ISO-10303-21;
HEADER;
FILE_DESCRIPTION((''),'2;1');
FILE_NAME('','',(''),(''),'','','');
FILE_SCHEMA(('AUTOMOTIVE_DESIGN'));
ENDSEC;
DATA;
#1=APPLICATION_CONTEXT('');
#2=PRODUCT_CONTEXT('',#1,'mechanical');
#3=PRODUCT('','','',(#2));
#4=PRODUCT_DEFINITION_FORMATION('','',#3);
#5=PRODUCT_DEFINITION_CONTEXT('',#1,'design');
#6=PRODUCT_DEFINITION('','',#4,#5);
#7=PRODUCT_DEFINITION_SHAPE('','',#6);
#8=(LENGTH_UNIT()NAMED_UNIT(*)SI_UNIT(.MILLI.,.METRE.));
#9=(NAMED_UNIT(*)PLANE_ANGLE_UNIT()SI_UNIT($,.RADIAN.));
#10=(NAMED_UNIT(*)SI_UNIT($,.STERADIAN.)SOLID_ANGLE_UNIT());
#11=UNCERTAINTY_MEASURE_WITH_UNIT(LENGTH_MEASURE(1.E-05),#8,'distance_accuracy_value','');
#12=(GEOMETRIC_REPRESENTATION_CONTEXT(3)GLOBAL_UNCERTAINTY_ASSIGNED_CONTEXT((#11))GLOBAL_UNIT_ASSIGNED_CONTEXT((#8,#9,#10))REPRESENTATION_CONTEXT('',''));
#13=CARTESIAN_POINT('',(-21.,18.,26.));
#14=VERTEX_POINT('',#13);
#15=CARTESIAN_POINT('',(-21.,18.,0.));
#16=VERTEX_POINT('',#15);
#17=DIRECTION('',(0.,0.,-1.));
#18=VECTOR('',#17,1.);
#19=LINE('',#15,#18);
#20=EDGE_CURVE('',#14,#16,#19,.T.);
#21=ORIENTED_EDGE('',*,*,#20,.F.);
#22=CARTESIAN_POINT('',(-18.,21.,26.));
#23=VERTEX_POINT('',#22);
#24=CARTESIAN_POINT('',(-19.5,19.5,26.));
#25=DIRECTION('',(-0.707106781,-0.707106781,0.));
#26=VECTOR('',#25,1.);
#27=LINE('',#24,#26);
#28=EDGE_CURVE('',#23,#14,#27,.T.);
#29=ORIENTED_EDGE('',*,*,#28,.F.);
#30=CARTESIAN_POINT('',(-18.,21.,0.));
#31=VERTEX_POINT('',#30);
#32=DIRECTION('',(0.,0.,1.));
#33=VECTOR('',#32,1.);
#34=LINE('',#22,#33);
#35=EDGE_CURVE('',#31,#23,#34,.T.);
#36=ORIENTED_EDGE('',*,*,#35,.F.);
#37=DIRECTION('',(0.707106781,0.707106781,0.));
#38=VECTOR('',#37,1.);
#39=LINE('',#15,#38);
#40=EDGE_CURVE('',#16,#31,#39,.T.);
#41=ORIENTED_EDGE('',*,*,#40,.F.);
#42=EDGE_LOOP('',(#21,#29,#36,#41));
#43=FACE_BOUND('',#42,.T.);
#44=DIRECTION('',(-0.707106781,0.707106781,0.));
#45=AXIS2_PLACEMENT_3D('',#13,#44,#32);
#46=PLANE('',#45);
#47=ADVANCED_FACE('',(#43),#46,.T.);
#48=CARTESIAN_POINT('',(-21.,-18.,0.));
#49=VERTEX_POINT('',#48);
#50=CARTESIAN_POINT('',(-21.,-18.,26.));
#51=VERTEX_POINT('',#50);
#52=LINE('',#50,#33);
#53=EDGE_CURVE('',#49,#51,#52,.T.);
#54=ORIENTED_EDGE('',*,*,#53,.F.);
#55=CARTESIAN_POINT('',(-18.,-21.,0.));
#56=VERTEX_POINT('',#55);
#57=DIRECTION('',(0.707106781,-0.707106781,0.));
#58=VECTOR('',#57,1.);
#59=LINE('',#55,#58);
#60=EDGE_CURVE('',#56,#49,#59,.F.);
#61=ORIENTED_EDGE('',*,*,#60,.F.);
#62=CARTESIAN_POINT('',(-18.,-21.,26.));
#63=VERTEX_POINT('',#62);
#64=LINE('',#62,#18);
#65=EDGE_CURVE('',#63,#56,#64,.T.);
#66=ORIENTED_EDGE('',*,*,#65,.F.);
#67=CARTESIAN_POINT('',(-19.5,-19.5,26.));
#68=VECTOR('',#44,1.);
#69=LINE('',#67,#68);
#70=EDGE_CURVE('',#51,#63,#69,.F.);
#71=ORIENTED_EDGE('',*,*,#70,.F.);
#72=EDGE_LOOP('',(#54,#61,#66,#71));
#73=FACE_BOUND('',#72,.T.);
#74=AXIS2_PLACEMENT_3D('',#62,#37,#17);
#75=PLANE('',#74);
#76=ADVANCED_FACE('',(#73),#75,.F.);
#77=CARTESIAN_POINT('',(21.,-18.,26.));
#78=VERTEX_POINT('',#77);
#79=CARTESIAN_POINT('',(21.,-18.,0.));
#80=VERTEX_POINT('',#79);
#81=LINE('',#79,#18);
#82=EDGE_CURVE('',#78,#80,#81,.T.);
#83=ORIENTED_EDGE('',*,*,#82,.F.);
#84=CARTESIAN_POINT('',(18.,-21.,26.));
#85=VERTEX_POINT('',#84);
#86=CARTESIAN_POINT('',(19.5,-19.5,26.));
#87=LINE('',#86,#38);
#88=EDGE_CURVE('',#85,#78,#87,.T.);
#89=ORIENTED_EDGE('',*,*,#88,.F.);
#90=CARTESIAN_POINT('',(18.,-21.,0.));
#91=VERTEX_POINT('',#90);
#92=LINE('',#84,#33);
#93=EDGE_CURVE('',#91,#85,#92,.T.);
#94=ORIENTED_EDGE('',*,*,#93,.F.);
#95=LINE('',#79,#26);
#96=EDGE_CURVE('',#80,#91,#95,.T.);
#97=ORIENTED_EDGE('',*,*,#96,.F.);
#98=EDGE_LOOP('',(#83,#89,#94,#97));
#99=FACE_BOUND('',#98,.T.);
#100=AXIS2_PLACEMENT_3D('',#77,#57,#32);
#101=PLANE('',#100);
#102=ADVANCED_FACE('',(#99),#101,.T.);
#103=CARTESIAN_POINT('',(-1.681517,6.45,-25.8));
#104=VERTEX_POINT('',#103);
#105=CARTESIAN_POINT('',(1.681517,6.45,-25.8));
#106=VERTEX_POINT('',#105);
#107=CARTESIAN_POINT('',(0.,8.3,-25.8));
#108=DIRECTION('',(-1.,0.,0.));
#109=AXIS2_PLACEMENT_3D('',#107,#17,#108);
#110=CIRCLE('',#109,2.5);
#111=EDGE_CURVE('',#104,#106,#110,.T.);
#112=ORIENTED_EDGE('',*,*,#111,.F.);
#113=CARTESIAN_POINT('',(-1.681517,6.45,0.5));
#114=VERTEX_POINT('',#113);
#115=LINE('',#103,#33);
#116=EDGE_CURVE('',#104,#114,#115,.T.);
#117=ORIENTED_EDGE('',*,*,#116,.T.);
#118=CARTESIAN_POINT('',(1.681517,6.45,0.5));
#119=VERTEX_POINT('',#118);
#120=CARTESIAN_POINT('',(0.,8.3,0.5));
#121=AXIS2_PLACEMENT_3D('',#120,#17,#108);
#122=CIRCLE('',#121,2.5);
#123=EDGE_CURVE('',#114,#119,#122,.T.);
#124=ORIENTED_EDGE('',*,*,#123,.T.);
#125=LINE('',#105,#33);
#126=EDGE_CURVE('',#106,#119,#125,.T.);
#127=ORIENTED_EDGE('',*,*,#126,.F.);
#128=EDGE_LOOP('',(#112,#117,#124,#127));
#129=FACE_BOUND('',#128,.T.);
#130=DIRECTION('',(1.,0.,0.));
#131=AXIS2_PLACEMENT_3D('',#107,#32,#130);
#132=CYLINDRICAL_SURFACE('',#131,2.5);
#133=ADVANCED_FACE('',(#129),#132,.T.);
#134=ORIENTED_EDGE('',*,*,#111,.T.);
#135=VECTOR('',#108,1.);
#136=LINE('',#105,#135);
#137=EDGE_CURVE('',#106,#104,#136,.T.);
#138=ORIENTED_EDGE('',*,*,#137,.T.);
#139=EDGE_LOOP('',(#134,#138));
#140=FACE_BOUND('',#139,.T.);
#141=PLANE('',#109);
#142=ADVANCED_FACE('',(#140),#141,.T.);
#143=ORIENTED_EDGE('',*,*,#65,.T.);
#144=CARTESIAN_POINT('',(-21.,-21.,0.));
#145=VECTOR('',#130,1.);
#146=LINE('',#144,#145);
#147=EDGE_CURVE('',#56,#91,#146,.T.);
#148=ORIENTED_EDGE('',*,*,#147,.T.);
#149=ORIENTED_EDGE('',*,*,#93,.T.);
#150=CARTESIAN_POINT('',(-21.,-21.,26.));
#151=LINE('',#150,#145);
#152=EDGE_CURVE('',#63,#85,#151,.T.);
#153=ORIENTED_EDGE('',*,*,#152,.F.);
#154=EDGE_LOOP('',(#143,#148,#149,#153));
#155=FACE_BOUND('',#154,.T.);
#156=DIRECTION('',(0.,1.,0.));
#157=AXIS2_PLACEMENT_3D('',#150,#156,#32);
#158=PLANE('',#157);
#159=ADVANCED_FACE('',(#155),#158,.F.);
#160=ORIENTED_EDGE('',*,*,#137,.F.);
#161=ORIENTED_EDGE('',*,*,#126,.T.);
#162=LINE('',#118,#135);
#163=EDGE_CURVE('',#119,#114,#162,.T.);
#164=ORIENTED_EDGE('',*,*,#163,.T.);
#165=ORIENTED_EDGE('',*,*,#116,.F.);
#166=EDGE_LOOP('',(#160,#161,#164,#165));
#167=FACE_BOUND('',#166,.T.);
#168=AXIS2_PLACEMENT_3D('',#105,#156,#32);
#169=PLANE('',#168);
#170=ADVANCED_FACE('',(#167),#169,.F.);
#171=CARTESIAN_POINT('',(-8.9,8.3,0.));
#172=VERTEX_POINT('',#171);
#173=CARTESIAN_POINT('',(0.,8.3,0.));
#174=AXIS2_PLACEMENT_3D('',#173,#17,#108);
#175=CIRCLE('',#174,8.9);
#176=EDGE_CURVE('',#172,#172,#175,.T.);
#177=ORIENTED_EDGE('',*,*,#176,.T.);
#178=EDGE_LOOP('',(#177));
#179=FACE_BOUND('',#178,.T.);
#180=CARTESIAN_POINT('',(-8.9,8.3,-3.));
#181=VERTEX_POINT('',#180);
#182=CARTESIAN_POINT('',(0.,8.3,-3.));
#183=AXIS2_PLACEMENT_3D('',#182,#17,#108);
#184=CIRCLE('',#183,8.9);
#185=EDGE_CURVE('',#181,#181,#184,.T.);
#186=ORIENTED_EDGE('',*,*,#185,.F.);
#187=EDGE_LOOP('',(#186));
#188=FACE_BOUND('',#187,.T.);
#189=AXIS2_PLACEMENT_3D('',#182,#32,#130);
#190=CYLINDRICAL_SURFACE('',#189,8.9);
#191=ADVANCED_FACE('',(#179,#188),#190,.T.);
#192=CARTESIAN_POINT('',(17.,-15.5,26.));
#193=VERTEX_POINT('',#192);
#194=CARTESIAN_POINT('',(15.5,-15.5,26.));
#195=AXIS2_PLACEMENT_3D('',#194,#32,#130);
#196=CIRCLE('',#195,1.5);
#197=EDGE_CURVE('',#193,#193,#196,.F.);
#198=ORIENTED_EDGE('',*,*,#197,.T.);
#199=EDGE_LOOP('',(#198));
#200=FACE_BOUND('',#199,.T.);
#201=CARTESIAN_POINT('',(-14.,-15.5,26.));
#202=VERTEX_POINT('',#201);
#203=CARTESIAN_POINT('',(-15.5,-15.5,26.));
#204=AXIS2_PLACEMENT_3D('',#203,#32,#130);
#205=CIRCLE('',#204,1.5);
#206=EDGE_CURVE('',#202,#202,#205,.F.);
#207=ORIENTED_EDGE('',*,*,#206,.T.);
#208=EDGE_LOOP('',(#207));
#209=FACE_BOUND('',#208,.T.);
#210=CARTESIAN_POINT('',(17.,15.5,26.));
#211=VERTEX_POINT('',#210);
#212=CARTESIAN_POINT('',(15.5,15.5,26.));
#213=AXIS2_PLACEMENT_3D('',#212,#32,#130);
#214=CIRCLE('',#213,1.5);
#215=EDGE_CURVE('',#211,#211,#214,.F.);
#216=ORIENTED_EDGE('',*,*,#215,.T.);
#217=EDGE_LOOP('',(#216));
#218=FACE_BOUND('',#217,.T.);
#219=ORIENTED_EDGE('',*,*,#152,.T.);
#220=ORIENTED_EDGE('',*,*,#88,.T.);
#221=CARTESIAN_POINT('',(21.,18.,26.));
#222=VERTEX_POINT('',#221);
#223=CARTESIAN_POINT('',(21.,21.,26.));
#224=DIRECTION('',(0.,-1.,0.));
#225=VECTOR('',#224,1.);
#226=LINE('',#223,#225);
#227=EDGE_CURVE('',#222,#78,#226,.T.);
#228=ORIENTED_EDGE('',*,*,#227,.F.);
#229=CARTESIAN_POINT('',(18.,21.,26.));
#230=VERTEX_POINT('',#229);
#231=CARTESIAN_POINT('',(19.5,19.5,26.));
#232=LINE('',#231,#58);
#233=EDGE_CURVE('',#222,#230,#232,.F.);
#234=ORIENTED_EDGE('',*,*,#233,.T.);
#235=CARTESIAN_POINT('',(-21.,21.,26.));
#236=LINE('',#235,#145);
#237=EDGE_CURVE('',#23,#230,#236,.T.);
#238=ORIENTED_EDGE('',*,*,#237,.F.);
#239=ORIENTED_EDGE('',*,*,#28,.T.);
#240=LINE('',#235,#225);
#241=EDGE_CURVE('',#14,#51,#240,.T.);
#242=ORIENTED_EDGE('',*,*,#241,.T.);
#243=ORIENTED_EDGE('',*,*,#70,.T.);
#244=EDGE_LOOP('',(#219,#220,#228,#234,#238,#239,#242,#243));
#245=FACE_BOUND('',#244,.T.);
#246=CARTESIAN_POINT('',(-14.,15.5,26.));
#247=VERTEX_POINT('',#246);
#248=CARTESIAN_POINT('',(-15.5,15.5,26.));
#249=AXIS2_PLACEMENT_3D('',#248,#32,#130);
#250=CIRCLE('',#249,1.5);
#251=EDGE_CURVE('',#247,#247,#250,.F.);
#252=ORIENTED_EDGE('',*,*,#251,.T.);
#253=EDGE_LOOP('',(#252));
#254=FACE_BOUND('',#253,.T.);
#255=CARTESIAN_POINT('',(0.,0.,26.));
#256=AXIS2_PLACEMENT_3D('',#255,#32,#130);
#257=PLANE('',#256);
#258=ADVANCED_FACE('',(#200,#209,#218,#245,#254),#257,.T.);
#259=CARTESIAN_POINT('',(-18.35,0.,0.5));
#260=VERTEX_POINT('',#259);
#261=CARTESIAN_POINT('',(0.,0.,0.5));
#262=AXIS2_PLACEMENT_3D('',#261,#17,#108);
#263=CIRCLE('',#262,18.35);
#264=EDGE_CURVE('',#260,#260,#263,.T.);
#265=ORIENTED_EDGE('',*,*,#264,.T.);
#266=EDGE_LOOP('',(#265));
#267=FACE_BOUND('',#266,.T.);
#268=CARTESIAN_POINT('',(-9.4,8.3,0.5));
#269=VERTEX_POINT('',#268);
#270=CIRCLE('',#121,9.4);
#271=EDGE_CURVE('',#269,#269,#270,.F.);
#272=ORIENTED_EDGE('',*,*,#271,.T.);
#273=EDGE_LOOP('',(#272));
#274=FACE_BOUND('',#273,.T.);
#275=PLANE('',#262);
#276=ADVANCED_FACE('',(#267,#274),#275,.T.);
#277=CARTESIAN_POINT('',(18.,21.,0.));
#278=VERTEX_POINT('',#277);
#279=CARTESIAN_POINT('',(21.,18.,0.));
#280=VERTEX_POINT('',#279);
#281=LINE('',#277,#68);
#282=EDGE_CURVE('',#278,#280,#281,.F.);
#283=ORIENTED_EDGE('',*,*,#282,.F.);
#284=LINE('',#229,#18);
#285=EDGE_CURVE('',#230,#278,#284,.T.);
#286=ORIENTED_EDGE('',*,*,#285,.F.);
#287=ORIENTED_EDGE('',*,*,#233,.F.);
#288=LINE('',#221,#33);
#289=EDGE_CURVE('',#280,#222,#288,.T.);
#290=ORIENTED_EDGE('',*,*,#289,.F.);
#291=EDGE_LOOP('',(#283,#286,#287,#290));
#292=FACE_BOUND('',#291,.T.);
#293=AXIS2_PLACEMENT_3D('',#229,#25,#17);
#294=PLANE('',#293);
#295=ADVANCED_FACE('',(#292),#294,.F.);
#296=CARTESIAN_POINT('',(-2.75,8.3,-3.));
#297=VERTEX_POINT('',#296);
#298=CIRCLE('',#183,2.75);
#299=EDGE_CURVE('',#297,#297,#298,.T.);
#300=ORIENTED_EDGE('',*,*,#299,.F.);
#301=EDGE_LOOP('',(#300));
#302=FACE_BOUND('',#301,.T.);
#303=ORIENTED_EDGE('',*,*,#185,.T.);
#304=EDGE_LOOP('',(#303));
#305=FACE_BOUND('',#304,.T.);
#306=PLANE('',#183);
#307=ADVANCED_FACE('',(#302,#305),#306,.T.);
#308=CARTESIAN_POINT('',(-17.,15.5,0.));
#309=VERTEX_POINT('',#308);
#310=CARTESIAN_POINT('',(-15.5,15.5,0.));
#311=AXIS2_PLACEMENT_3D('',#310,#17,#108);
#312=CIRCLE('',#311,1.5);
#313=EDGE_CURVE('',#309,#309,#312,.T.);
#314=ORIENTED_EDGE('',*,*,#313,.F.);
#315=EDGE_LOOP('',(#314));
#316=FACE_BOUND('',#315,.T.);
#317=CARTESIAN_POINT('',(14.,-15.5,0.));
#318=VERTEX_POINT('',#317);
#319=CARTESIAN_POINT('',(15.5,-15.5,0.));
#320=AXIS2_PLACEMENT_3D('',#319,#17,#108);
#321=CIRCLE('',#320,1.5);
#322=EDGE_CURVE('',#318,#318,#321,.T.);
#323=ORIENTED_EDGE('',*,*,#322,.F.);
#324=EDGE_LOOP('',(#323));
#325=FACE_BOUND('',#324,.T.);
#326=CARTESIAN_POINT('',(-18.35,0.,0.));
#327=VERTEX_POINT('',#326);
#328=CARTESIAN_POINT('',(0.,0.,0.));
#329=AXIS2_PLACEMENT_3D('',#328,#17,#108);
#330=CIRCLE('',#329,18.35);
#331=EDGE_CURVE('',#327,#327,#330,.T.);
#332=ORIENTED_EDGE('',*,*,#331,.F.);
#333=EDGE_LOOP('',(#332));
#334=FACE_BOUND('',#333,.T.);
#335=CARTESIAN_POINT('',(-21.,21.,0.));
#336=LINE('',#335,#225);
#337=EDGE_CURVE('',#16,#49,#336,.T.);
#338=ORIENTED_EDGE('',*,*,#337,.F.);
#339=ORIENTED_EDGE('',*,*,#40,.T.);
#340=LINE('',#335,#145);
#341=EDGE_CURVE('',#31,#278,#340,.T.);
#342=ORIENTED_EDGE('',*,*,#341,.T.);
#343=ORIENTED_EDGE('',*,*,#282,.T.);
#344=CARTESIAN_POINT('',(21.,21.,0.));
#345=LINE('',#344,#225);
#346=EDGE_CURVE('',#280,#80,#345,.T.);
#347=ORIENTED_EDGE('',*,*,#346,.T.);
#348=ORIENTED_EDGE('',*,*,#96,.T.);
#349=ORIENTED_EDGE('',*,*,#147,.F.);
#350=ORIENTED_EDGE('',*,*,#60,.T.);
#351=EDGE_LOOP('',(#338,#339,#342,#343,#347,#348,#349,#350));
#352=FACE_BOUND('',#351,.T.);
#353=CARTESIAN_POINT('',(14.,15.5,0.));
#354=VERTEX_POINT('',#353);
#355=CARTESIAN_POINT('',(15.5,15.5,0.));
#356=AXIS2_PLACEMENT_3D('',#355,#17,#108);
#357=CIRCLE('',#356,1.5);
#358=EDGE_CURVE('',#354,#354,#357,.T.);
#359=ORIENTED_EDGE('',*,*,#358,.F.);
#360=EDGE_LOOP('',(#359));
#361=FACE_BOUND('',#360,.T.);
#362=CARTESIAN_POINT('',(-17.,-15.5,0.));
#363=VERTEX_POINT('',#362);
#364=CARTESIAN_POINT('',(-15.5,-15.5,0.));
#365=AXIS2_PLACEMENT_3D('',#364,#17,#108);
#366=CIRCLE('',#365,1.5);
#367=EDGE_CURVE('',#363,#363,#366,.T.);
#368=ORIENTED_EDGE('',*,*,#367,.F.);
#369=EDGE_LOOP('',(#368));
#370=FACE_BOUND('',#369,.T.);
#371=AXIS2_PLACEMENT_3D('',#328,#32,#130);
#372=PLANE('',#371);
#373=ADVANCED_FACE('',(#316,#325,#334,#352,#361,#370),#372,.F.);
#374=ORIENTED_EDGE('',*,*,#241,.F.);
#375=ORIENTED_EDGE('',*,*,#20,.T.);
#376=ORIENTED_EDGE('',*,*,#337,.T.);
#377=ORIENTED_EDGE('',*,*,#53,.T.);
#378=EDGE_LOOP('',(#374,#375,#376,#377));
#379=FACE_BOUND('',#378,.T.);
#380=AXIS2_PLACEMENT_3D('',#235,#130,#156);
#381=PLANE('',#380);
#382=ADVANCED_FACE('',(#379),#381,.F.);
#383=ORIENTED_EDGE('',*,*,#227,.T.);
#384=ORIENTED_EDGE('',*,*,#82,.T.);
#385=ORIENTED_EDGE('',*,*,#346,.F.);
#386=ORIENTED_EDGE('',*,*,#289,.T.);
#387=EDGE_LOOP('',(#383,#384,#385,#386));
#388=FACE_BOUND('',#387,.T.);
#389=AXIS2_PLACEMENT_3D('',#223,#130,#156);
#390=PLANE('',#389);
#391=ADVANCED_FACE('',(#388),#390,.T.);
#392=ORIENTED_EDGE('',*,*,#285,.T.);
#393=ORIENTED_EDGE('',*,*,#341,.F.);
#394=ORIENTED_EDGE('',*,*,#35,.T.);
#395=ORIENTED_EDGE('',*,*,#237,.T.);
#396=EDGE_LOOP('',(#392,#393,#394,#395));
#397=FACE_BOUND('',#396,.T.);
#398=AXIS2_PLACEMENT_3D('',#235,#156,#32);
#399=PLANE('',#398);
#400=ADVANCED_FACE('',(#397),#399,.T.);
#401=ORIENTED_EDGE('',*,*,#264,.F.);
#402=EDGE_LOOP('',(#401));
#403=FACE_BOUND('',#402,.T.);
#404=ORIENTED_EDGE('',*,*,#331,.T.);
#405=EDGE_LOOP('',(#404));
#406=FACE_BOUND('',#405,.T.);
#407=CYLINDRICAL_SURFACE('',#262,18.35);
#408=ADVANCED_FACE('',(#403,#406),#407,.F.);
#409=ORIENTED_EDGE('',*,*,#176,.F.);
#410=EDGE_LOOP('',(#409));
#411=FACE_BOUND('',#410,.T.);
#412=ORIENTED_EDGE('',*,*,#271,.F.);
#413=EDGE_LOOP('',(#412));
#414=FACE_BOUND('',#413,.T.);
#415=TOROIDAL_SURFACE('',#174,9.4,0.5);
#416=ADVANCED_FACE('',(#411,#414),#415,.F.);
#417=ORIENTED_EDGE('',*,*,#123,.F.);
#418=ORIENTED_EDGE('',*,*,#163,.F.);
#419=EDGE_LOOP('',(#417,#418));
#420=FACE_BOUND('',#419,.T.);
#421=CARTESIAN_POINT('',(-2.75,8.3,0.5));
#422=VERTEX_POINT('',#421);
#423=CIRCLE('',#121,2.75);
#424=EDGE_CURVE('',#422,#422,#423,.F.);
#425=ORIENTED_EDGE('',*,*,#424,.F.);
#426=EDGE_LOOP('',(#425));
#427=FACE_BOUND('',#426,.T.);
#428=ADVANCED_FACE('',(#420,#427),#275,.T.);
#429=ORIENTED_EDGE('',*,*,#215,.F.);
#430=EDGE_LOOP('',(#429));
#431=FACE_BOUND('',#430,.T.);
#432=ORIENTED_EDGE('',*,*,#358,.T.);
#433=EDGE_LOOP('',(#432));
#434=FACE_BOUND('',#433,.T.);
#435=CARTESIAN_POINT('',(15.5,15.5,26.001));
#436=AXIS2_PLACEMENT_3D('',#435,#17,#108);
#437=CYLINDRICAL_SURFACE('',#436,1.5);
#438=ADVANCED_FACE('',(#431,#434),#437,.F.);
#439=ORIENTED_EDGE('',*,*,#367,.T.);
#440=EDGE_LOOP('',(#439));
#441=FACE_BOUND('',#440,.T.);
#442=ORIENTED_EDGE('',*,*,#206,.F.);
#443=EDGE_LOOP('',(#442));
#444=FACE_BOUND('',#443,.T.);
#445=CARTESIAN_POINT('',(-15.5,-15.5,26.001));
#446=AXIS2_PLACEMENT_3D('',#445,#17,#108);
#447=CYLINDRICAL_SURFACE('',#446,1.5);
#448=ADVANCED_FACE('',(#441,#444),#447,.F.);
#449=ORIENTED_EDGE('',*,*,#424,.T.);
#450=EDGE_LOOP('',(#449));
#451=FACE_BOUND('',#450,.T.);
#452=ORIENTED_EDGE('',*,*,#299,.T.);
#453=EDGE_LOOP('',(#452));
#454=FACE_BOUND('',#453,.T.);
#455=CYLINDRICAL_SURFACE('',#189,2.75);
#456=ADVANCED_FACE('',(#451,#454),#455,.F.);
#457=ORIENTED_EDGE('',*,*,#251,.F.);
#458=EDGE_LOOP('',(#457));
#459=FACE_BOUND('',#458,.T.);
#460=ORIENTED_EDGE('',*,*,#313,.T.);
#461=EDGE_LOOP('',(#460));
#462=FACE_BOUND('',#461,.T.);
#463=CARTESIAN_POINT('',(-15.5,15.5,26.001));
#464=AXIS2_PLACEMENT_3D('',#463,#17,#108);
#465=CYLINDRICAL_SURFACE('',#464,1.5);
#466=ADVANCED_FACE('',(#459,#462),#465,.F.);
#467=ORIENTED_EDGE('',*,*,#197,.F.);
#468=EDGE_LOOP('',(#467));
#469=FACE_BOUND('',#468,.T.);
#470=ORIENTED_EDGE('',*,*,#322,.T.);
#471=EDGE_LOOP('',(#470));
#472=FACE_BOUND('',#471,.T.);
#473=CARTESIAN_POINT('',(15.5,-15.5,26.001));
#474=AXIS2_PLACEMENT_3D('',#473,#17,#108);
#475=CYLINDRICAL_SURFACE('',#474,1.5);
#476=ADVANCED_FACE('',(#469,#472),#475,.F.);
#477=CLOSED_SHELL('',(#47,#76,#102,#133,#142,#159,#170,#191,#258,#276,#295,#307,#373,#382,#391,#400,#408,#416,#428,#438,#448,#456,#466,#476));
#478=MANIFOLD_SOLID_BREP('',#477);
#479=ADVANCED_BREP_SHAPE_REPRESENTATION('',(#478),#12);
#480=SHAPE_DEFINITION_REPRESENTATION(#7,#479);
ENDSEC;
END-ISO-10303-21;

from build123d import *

# Parameters (mm, degrees)
SKETCH1_W           = 42
SKETCH1_H           = 42
BOSS_EXTRUDE1_DEPTH = 26
CHAMFER1_SIZE       = 3
SKETCH4_R           = 11.25
BOSS_EXTRUDE2_DEPTH = 0.5
CUT_EXTRUDE4_REACH  = 41.472
SKETCH8_R           = 1.5
SKETCH9_R           = 18.35
CUT_EXTRUDE5_DEPTH  = 0.5
SKETCH10_R          = 8.9
SKETCH10_R_2        = 2.75
BOSS_EXTRUDE3_DEPTH = 3.5
BOSS_EXTRUDE4_DEPTH = 26.3
FILLET1_R           = 0.5


with BuildPart() as part:
    # Sketch1 → Boss-Extrude1 (new body)
    with BuildSketch(Plane.XY):
        Rectangle(SKETCH1_W, SKETCH1_H)
    extrude(amount=BOSS_EXTRUDE1_DEPTH)

    # Chamfer1
    chamfer1_edges = [part.edges().sort_by_distance(p)[0] for p in [
        (-21, 21, 13),
        (21, 21, 13),
        (21, -21, 13),
        (-21, -21, 13),
    ]]
    chamfer(chamfer1_edges, length=CHAMFER1_SIZE)

    # Sketch4 → Boss-Extrude2 (add)
    with BuildSketch(Plane(origin=(0, 0, 0), x_dir=(-1, 0, 0), z_dir=(0, 0, -1))):
        Circle(SKETCH4_R)
    extrude(amount=-BOSS_EXTRUDE2_DEPTH)

    # Sketch8 → Cut-Extrude4 (cut, up to next)
    with BuildSketch(Plane(origin=(0, 0, 0), x_dir=(-1, 0, 0), z_dir=(0, 0, -1)), mode=Mode.PRIVATE) as cut_extrude4_sk1:
        with Locations((15.5, 15.5)):
            Circle(SKETCH8_R)
    cut_extrude4_tool1 = extrude(cut_extrude4_sk1.sketch, amount=-CUT_EXTRUDE4_REACH, mode=Mode.PRIVATE) & part.part
    # Sketch8 → Cut-Extrude4 (cut, up to next)
    with BuildSketch(Plane(origin=(0, 0, 0), x_dir=(-1, 0, 0), z_dir=(0, 0, -1)), mode=Mode.PRIVATE) as cut_extrude4_sk2:
        with Locations((-15.5, 15.5)):
            Circle(SKETCH8_R)
    cut_extrude4_tool2 = extrude(cut_extrude4_sk2.sketch, amount=-CUT_EXTRUDE4_REACH, mode=Mode.PRIVATE) & part.part
    # Sketch8 → Cut-Extrude4 (cut, up to next)
    with BuildSketch(Plane(origin=(0, 0, 0), x_dir=(-1, 0, 0), z_dir=(0, 0, -1)), mode=Mode.PRIVATE) as cut_extrude4_sk3:
        with Locations((-15.5, -15.5)):
            Circle(SKETCH8_R)
    cut_extrude4_tool3 = extrude(cut_extrude4_sk3.sketch, amount=-CUT_EXTRUDE4_REACH, mode=Mode.PRIVATE) & part.part
    # Sketch8 → Cut-Extrude4 (cut, up to next)
    with BuildSketch(Plane(origin=(0, 0, 0), x_dir=(-1, 0, 0), z_dir=(0, 0, -1)), mode=Mode.PRIVATE) as cut_extrude4_sk4:
        with Locations((15.5, -15.5)):
            Circle(SKETCH8_R)
    cut_extrude4_tool4 = extrude(cut_extrude4_sk4.sketch, amount=-CUT_EXTRUDE4_REACH, mode=Mode.PRIVATE) & part.part
    add(cut_extrude4_tool1.solids().sort_by_distance((-15.5, 15.5, 0))[0], mode=Mode.SUBTRACT)
    add(cut_extrude4_tool2.solids().sort_by_distance((15.5, 15.5, 0))[0], mode=Mode.SUBTRACT)
    add(cut_extrude4_tool3.solids().sort_by_distance((15.5, -15.5, 0))[0], mode=Mode.SUBTRACT)
    add(cut_extrude4_tool4.solids().sort_by_distance((-15.5, -15.5, 0))[0], mode=Mode.SUBTRACT)

    # Sketch9 → Cut-Extrude5 (cut)
    with BuildSketch(Plane(origin=(0, 0, 0), x_dir=(-1, 0, 0), z_dir=(0, 0, -1))):
        Circle(SKETCH9_R)
    extrude(amount=-CUT_EXTRUDE5_DEPTH, mode=Mode.SUBTRACT)

    # Sketch10 → Boss-Extrude3 (add)
    with BuildSketch(Plane(origin=(0, 0, 0.5), x_dir=(-1, 0, 0), z_dir=(0, 0, -1))):
        with Locations((0, 8.3)):
            Circle(SKETCH10_R)
        with Locations((0, 8.3)):
            Circle(SKETCH10_R_2, mode=Mode.SUBTRACT)
    extrude(amount=BOSS_EXTRUDE3_DEPTH)

    # Sketch11 → Boss-Extrude4 (add)
    with BuildSketch(Plane(origin=(0, 0, 0.5), x_dir=(-1, 0, 0), z_dir=(0, 0, -1))):
        with BuildLine():
            Line((-1.681517172, 6.45), (1.681517172, 6.45))
            ThreePointArc((1.681517172, 6.45), (0, 10.8), (-1.681517172, 6.45))
        make_face()
    extrude(amount=BOSS_EXTRUDE4_DEPTH)

    # Fillet1
    fillet1_edges = [part.edges().sort_by_distance(p)[0] for p in [
        (8.9, 8.3, 0.5),
    ]]
    fillet(fillet1_edges, radius=FILLET1_R)


solid = part.part
